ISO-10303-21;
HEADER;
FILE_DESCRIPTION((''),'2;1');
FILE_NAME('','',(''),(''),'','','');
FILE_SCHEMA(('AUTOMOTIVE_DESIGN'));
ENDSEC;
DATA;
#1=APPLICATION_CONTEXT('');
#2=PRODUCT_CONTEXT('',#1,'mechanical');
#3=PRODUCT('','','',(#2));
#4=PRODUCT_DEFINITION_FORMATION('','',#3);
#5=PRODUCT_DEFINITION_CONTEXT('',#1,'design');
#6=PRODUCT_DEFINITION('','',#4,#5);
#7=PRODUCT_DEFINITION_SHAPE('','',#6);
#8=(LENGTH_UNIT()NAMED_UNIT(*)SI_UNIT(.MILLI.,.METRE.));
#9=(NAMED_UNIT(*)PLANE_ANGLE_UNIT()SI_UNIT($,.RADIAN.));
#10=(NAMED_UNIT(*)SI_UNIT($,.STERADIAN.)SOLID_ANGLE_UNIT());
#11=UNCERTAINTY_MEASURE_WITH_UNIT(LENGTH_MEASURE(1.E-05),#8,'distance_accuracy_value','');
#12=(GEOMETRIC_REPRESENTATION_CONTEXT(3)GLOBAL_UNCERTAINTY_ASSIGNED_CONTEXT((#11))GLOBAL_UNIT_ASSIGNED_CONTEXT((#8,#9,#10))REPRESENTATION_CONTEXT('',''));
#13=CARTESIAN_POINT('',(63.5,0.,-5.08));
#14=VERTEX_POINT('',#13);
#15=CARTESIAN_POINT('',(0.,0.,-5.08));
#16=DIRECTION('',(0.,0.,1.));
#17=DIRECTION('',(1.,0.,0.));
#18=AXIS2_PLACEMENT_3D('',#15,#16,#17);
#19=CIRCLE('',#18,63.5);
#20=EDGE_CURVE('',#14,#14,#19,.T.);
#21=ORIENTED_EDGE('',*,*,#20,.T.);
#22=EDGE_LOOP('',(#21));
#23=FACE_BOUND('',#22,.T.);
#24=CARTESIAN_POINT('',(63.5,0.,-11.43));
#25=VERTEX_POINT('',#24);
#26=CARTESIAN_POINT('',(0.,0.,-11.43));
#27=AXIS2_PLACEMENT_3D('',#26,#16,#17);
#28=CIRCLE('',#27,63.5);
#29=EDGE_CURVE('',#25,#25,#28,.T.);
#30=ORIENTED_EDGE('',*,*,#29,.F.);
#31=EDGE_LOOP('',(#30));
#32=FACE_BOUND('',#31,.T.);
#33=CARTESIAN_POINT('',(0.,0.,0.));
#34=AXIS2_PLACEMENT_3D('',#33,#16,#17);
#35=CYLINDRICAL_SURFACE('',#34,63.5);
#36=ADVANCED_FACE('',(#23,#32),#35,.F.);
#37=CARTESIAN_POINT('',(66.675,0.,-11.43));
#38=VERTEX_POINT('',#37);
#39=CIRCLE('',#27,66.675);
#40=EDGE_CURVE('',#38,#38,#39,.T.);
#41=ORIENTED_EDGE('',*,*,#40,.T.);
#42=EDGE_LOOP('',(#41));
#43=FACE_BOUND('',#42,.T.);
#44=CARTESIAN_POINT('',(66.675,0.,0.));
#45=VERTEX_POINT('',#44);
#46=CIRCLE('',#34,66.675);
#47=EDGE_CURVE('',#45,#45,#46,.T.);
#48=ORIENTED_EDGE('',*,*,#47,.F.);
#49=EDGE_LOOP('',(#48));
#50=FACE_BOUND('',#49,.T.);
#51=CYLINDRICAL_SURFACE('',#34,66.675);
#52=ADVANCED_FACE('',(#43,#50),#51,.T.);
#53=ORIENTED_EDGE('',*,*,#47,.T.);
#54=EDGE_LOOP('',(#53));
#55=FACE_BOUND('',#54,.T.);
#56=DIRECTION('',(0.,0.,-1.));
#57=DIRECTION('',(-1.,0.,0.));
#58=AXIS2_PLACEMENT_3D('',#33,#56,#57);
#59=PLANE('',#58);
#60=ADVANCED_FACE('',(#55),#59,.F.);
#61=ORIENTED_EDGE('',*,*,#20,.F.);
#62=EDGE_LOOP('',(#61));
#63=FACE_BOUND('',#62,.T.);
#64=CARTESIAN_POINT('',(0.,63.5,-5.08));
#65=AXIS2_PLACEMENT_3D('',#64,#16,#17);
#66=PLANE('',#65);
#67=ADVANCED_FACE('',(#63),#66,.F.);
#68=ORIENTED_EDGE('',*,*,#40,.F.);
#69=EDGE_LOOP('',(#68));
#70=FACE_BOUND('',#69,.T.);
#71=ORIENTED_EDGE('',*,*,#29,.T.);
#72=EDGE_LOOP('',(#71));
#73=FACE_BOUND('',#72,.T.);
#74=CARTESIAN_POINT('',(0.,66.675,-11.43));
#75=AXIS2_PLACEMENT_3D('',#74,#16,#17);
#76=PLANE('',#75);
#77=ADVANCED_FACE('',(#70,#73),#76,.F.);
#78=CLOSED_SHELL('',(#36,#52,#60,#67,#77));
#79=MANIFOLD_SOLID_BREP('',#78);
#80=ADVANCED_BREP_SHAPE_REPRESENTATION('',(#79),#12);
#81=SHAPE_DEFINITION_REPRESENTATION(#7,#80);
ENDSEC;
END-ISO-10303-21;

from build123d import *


with BuildPart() as part:
    # Sketch1 → Revolve2 (revolve)
    with BuildSketch(Plane(origin=(0, 0, 0), x_dir=(0, 0, -1), z_dir=(1, 0, 0))):
        Polygon((0, 66.675), (11.43, 66.675), (11.43, 63.5), (5.08, 63.5), (5.08, 0), (0, 0), align=None)
    revolve(axis=Axis((0, 0, 0), (0, 0, -1)))


solid = part.part
